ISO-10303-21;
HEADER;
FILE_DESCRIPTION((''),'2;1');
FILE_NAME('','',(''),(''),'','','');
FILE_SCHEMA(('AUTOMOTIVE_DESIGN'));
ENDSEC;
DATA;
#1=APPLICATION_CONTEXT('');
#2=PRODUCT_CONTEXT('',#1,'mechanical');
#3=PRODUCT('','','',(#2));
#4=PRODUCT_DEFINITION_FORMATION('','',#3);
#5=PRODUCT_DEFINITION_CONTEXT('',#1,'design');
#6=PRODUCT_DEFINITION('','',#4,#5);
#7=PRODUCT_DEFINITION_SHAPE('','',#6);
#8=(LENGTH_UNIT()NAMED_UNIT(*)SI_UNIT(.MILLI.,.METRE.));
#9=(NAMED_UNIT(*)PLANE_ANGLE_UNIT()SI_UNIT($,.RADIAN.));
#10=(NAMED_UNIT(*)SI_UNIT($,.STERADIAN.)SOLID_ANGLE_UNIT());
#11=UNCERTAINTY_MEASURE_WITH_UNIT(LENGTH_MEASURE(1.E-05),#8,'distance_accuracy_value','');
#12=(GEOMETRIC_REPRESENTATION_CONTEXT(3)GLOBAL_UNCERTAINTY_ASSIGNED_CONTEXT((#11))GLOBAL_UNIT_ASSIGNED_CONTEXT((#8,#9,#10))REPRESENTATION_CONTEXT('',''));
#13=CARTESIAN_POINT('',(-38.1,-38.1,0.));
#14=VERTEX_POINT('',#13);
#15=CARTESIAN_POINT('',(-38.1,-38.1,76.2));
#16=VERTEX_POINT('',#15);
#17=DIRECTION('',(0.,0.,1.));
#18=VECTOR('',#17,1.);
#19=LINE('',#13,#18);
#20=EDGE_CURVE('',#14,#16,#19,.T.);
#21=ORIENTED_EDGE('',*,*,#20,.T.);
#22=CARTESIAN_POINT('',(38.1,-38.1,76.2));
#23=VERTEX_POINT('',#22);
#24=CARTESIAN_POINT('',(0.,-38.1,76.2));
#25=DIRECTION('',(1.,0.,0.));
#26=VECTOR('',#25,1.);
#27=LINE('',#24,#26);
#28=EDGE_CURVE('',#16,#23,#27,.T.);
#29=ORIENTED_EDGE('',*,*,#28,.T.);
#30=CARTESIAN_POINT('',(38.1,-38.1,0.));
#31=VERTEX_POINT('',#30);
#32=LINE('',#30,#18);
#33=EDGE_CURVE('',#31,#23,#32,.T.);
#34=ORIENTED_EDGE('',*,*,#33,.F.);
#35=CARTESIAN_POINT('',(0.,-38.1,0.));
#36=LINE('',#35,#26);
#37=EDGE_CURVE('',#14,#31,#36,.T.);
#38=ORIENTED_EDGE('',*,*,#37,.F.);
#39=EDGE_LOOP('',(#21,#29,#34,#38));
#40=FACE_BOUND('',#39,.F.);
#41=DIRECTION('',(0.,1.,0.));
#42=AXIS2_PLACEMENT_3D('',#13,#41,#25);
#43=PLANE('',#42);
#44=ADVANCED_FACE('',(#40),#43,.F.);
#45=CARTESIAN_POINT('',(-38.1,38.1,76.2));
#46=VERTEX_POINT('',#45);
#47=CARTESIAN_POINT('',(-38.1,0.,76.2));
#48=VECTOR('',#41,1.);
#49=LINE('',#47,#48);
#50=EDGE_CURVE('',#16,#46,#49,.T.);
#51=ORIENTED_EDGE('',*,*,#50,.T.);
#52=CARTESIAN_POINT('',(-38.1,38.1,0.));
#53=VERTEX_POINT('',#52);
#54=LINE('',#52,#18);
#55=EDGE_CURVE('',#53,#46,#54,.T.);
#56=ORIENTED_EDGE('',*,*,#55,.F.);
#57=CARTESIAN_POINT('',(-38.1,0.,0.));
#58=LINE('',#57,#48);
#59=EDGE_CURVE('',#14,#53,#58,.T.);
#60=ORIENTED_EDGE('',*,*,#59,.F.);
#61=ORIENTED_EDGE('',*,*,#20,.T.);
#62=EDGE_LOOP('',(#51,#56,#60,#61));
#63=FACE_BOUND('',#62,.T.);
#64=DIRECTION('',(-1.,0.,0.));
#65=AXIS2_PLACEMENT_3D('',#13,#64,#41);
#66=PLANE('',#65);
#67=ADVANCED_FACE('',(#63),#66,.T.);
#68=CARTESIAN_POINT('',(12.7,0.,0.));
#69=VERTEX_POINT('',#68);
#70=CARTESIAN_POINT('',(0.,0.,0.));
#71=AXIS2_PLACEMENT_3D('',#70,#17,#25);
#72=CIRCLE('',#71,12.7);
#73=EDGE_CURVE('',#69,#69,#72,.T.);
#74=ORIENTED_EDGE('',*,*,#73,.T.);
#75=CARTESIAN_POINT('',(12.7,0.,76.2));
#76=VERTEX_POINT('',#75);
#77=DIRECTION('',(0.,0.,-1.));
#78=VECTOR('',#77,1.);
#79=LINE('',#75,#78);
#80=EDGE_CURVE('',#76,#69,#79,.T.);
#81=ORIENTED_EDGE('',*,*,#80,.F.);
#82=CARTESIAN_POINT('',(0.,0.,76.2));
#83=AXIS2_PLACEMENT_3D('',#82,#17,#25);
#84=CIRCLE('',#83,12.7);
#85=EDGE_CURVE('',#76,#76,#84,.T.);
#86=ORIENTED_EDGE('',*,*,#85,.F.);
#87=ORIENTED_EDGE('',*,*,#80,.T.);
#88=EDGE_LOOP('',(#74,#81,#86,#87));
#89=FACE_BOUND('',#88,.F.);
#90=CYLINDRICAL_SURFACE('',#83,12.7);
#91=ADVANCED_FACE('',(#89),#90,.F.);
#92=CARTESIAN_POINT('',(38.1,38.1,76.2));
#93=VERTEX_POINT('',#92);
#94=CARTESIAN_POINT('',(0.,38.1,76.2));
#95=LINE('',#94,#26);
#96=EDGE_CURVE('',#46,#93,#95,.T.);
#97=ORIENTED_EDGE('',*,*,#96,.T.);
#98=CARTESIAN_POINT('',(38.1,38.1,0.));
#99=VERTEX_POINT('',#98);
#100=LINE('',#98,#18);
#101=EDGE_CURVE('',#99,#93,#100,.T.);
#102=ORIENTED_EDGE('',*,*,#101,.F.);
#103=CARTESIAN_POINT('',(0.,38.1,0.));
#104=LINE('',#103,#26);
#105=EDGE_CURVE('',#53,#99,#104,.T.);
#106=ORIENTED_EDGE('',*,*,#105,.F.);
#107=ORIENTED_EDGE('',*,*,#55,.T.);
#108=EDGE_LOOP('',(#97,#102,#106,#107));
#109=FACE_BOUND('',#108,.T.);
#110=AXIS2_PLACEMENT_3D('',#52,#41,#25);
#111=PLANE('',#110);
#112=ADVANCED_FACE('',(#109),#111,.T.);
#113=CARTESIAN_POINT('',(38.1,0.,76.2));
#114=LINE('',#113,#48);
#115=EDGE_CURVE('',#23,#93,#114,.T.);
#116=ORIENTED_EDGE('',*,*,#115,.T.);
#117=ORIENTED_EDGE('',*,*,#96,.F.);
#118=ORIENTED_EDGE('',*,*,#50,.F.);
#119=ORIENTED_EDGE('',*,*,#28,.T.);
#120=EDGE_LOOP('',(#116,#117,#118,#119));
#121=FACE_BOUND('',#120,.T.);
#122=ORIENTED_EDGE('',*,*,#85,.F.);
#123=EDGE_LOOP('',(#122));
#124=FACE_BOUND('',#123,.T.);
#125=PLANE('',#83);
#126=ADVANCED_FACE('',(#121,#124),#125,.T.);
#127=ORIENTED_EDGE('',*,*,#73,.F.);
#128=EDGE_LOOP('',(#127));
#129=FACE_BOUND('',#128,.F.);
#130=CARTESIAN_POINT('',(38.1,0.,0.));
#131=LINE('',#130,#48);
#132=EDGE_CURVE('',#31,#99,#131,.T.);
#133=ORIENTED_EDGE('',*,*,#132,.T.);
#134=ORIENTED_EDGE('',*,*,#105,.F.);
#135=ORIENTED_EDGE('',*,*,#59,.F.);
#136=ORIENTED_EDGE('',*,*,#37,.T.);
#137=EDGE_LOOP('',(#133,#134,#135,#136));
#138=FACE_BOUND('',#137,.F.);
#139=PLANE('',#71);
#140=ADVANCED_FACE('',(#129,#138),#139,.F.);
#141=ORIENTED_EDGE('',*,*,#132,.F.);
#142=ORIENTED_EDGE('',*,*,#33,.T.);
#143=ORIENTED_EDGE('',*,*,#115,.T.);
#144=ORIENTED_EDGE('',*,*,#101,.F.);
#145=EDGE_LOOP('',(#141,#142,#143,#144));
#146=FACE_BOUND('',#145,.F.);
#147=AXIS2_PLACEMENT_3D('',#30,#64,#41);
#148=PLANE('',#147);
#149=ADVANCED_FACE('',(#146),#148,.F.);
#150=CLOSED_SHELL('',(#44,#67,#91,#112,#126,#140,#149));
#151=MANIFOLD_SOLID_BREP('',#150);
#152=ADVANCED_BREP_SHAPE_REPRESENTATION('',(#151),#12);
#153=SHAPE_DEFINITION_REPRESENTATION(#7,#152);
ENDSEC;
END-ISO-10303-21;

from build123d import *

# Parameters (mm, degrees)
F1_W     = 76.2
F1_H     = 76.2
F2_DEPTH = 76.2
F3_R     = 12.7
F4_DEPTH = 76.201


with BuildPart() as f2:
    # F1 (on face) → F2 (new body)
    with BuildSketch(Plane.XY):
        Rectangle(F1_W, F1_H)
    extrude(amount=F2_DEPTH)

    # F3 (on face) → F4 (cut, through all)
    with BuildSketch(Plane.XY.offset(76.2)):
        Circle(F3_R)
    extrude(amount=-F4_DEPTH, mode=Mode.SUBTRACT)


solid = f2.part
